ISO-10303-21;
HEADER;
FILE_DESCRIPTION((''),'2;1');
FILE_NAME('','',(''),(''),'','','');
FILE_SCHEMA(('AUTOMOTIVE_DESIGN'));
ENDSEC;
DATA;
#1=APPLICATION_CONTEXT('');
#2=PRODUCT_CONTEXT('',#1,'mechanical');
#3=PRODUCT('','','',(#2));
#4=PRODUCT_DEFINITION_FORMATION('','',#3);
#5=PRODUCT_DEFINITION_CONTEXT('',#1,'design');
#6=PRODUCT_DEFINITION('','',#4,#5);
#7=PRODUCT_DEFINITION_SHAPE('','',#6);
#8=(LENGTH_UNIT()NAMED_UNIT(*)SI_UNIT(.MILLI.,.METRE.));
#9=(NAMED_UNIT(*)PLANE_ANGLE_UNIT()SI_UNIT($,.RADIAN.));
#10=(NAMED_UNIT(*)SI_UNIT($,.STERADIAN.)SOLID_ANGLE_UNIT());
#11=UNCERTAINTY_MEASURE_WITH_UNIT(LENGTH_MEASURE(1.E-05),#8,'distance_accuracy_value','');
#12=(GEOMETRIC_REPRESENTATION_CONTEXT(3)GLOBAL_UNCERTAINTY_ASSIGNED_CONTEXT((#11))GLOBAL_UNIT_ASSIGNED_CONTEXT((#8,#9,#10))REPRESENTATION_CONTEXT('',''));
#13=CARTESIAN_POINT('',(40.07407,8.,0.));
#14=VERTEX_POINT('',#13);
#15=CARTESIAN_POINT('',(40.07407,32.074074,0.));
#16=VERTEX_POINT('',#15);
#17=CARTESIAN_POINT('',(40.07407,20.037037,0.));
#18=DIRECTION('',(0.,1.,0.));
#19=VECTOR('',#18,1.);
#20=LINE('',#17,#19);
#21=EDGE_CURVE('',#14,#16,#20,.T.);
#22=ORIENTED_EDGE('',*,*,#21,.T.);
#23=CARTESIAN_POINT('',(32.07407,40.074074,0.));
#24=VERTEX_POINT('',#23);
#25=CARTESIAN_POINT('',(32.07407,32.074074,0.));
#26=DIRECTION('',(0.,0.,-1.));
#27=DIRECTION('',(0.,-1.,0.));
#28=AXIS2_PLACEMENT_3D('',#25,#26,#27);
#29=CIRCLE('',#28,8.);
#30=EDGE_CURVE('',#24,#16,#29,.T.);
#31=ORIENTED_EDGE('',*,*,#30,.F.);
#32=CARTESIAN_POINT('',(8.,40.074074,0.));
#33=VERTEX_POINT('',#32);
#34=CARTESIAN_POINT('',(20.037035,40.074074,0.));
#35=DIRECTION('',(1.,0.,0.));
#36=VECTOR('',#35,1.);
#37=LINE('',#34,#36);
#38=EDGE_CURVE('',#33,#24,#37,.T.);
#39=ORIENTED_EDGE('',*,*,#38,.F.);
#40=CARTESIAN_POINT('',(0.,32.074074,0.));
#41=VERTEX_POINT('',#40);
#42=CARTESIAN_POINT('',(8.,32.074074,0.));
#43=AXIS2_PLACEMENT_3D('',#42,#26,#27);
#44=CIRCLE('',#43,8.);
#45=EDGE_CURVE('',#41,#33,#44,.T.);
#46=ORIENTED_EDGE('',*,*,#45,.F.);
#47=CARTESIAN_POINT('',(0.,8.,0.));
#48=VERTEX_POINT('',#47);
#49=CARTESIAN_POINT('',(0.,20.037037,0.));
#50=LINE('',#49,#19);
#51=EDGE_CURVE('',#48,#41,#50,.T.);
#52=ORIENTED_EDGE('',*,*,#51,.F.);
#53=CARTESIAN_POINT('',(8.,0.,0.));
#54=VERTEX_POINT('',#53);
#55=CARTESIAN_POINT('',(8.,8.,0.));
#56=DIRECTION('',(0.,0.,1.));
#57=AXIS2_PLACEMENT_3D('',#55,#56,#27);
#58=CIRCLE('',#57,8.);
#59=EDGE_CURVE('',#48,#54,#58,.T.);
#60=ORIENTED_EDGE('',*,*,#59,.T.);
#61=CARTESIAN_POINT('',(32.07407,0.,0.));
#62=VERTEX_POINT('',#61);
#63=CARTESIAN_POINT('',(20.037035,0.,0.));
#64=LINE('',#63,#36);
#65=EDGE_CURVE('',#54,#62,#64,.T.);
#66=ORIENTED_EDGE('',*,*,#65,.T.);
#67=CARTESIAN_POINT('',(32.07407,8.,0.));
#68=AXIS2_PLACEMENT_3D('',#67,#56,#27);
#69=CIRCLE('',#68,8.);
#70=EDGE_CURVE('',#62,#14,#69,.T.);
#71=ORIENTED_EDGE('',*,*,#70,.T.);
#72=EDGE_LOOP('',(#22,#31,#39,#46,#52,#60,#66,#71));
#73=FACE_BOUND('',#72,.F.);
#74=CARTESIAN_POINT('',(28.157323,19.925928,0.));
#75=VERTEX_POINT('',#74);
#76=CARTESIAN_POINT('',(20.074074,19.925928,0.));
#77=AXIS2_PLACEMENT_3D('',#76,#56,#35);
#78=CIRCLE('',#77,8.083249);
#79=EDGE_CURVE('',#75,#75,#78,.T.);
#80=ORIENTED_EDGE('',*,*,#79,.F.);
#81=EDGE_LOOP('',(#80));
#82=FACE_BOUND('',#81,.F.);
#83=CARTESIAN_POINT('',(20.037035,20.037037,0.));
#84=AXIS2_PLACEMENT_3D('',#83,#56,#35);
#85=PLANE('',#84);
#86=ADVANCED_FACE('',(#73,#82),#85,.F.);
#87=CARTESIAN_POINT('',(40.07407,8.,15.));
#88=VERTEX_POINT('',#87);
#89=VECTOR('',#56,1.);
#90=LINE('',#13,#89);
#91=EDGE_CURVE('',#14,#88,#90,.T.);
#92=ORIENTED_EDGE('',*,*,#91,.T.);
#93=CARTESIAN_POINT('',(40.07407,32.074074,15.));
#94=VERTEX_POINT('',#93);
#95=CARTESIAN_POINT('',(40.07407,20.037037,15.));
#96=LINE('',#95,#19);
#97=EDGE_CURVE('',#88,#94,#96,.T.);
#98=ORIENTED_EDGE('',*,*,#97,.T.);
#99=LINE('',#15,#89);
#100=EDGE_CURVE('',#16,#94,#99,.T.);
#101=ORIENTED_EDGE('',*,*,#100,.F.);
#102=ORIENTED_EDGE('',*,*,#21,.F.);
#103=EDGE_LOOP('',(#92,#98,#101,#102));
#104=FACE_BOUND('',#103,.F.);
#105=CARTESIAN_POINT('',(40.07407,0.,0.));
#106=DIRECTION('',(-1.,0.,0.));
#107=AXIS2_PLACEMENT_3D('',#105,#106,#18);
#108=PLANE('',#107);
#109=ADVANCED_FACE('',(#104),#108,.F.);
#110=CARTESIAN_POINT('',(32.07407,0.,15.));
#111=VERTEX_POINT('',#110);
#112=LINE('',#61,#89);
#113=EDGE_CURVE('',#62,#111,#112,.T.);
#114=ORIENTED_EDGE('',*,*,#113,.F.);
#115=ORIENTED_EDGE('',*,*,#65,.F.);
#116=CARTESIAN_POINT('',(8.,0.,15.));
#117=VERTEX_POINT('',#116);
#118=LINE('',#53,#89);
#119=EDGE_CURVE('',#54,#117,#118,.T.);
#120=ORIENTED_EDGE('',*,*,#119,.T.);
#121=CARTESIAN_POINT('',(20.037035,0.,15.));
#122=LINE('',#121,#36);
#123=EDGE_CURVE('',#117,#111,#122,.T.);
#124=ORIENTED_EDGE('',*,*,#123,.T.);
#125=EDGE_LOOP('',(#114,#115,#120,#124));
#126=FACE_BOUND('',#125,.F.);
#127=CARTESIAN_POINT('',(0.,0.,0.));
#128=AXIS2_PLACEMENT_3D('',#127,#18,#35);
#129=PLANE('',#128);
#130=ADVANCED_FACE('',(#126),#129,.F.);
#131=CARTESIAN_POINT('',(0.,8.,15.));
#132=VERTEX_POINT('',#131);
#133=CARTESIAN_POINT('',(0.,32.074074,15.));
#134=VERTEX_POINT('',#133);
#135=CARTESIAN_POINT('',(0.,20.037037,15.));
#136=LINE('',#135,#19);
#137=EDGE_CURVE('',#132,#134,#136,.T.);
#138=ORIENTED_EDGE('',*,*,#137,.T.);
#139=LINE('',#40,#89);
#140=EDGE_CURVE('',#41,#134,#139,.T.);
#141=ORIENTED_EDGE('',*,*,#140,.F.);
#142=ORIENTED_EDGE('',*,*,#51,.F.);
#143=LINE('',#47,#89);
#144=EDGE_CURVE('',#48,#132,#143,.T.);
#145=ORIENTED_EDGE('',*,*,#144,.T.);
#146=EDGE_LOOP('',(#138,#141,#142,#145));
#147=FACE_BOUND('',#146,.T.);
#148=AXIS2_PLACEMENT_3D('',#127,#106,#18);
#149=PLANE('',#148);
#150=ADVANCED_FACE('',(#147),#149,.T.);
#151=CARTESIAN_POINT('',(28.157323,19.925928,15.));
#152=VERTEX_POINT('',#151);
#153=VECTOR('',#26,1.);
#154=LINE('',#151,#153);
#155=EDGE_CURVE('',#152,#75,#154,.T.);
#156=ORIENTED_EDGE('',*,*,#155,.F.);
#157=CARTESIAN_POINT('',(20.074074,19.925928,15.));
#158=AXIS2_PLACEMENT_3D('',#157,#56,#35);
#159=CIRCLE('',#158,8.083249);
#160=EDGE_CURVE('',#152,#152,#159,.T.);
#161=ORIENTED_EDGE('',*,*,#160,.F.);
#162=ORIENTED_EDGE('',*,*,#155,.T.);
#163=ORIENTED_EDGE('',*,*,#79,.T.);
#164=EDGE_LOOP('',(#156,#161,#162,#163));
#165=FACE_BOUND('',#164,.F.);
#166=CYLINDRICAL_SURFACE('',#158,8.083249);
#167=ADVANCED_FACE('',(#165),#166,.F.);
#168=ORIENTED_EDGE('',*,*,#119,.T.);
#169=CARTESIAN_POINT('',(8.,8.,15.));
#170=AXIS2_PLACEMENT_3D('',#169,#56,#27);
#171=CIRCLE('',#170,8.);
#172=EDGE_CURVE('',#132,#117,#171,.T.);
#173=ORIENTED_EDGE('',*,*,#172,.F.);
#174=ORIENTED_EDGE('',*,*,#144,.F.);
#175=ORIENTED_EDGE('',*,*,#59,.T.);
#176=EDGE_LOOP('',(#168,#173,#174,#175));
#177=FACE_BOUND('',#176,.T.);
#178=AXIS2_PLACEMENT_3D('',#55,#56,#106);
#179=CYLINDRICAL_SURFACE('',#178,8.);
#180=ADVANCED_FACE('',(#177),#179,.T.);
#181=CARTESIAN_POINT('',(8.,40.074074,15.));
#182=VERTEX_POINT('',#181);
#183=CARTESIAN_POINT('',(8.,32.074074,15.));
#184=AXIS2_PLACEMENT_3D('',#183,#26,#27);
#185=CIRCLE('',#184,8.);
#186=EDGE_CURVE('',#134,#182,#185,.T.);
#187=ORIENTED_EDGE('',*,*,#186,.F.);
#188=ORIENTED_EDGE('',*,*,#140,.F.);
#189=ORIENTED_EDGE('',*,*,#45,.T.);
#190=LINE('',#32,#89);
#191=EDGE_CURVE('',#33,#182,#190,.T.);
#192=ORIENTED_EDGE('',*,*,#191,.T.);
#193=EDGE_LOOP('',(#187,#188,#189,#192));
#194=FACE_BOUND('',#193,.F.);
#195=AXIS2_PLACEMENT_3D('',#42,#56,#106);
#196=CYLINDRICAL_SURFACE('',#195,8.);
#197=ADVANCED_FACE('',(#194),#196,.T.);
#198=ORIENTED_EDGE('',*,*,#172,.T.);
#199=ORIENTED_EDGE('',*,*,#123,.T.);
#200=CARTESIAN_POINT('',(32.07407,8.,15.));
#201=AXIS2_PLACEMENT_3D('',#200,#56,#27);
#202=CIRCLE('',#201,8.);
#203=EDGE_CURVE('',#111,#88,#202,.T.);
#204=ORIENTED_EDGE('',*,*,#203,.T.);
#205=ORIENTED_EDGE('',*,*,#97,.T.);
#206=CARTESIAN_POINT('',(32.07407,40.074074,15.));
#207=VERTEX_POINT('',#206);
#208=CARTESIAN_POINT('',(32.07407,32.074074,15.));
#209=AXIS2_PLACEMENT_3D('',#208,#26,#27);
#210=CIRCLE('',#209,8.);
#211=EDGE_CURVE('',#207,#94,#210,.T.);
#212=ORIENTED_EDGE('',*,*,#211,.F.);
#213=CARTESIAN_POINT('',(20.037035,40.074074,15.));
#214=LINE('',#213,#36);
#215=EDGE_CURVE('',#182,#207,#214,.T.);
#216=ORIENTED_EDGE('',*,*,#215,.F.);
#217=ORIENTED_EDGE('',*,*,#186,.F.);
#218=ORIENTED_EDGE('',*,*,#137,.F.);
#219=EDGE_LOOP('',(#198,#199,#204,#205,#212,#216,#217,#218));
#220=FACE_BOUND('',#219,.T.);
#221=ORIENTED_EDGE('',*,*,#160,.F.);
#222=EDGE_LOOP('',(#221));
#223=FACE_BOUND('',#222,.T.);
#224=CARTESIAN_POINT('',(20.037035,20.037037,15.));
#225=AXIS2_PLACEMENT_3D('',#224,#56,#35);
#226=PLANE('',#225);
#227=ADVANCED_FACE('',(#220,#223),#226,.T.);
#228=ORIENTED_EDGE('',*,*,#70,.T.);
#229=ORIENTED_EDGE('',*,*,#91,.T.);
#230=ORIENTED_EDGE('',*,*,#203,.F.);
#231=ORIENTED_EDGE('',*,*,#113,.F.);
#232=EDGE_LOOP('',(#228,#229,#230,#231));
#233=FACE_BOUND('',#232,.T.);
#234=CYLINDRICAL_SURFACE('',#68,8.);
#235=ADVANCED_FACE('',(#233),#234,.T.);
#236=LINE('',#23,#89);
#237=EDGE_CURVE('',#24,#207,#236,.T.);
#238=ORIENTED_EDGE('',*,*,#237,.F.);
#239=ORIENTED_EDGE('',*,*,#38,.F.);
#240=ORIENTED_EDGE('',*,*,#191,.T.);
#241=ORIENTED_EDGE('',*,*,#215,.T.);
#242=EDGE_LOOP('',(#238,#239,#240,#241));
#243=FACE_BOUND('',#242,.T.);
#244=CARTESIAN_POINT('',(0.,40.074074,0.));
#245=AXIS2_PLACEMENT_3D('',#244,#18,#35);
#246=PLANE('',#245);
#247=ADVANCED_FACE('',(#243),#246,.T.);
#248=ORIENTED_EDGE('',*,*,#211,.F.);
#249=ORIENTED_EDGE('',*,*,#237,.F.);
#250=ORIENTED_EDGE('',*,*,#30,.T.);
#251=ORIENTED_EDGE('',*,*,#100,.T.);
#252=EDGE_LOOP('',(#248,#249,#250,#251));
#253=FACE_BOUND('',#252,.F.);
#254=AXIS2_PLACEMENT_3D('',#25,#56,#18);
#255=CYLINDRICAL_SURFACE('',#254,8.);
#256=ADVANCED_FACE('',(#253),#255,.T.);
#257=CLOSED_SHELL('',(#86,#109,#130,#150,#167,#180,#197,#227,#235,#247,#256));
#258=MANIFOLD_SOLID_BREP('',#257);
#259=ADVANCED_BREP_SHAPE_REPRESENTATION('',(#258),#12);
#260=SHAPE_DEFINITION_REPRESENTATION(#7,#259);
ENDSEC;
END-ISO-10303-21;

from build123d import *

# Parameters (mm, degrees)
SKETCH_W     = 40.07407
SKETCH_H     = 40.074074
PAD_DEPTH    = 15
SKETCH001_R  = 8.083249
POCKET_DEPTH = 15.001
FILLET_R     = 8


with BuildPart() as part:
    # Sketch → Pad (new body)
    with BuildSketch(Plane.XY):
        with Locations((20.037035, 20.037037)):
            Rectangle(SKETCH_W, SKETCH_H)
    extrude(amount=PAD_DEPTH)

    # Sketch001 (on Face6 of Pad) → Pocket (cut, through all)
    with BuildSketch(Plane.XY.offset(15)):
        with Locations((20.074074, 19.925928)):
            Circle(SKETCH001_R)
    extrude(amount=-POCKET_DEPTH, mode=Mode.SUBTRACT)

    # Fillet
    fillet_edges = [part.edges().sort_by_distance(p)[0] for p in [
        (40.07407, 0, 7.5),
        (40.07407, 40.074074, 7.5),
        (0, 40.074074, 7.5),
        (0, 0, 7.5),
    ]]
    fillet(fillet_edges, radius=FILLET_R)


solid = part.part
